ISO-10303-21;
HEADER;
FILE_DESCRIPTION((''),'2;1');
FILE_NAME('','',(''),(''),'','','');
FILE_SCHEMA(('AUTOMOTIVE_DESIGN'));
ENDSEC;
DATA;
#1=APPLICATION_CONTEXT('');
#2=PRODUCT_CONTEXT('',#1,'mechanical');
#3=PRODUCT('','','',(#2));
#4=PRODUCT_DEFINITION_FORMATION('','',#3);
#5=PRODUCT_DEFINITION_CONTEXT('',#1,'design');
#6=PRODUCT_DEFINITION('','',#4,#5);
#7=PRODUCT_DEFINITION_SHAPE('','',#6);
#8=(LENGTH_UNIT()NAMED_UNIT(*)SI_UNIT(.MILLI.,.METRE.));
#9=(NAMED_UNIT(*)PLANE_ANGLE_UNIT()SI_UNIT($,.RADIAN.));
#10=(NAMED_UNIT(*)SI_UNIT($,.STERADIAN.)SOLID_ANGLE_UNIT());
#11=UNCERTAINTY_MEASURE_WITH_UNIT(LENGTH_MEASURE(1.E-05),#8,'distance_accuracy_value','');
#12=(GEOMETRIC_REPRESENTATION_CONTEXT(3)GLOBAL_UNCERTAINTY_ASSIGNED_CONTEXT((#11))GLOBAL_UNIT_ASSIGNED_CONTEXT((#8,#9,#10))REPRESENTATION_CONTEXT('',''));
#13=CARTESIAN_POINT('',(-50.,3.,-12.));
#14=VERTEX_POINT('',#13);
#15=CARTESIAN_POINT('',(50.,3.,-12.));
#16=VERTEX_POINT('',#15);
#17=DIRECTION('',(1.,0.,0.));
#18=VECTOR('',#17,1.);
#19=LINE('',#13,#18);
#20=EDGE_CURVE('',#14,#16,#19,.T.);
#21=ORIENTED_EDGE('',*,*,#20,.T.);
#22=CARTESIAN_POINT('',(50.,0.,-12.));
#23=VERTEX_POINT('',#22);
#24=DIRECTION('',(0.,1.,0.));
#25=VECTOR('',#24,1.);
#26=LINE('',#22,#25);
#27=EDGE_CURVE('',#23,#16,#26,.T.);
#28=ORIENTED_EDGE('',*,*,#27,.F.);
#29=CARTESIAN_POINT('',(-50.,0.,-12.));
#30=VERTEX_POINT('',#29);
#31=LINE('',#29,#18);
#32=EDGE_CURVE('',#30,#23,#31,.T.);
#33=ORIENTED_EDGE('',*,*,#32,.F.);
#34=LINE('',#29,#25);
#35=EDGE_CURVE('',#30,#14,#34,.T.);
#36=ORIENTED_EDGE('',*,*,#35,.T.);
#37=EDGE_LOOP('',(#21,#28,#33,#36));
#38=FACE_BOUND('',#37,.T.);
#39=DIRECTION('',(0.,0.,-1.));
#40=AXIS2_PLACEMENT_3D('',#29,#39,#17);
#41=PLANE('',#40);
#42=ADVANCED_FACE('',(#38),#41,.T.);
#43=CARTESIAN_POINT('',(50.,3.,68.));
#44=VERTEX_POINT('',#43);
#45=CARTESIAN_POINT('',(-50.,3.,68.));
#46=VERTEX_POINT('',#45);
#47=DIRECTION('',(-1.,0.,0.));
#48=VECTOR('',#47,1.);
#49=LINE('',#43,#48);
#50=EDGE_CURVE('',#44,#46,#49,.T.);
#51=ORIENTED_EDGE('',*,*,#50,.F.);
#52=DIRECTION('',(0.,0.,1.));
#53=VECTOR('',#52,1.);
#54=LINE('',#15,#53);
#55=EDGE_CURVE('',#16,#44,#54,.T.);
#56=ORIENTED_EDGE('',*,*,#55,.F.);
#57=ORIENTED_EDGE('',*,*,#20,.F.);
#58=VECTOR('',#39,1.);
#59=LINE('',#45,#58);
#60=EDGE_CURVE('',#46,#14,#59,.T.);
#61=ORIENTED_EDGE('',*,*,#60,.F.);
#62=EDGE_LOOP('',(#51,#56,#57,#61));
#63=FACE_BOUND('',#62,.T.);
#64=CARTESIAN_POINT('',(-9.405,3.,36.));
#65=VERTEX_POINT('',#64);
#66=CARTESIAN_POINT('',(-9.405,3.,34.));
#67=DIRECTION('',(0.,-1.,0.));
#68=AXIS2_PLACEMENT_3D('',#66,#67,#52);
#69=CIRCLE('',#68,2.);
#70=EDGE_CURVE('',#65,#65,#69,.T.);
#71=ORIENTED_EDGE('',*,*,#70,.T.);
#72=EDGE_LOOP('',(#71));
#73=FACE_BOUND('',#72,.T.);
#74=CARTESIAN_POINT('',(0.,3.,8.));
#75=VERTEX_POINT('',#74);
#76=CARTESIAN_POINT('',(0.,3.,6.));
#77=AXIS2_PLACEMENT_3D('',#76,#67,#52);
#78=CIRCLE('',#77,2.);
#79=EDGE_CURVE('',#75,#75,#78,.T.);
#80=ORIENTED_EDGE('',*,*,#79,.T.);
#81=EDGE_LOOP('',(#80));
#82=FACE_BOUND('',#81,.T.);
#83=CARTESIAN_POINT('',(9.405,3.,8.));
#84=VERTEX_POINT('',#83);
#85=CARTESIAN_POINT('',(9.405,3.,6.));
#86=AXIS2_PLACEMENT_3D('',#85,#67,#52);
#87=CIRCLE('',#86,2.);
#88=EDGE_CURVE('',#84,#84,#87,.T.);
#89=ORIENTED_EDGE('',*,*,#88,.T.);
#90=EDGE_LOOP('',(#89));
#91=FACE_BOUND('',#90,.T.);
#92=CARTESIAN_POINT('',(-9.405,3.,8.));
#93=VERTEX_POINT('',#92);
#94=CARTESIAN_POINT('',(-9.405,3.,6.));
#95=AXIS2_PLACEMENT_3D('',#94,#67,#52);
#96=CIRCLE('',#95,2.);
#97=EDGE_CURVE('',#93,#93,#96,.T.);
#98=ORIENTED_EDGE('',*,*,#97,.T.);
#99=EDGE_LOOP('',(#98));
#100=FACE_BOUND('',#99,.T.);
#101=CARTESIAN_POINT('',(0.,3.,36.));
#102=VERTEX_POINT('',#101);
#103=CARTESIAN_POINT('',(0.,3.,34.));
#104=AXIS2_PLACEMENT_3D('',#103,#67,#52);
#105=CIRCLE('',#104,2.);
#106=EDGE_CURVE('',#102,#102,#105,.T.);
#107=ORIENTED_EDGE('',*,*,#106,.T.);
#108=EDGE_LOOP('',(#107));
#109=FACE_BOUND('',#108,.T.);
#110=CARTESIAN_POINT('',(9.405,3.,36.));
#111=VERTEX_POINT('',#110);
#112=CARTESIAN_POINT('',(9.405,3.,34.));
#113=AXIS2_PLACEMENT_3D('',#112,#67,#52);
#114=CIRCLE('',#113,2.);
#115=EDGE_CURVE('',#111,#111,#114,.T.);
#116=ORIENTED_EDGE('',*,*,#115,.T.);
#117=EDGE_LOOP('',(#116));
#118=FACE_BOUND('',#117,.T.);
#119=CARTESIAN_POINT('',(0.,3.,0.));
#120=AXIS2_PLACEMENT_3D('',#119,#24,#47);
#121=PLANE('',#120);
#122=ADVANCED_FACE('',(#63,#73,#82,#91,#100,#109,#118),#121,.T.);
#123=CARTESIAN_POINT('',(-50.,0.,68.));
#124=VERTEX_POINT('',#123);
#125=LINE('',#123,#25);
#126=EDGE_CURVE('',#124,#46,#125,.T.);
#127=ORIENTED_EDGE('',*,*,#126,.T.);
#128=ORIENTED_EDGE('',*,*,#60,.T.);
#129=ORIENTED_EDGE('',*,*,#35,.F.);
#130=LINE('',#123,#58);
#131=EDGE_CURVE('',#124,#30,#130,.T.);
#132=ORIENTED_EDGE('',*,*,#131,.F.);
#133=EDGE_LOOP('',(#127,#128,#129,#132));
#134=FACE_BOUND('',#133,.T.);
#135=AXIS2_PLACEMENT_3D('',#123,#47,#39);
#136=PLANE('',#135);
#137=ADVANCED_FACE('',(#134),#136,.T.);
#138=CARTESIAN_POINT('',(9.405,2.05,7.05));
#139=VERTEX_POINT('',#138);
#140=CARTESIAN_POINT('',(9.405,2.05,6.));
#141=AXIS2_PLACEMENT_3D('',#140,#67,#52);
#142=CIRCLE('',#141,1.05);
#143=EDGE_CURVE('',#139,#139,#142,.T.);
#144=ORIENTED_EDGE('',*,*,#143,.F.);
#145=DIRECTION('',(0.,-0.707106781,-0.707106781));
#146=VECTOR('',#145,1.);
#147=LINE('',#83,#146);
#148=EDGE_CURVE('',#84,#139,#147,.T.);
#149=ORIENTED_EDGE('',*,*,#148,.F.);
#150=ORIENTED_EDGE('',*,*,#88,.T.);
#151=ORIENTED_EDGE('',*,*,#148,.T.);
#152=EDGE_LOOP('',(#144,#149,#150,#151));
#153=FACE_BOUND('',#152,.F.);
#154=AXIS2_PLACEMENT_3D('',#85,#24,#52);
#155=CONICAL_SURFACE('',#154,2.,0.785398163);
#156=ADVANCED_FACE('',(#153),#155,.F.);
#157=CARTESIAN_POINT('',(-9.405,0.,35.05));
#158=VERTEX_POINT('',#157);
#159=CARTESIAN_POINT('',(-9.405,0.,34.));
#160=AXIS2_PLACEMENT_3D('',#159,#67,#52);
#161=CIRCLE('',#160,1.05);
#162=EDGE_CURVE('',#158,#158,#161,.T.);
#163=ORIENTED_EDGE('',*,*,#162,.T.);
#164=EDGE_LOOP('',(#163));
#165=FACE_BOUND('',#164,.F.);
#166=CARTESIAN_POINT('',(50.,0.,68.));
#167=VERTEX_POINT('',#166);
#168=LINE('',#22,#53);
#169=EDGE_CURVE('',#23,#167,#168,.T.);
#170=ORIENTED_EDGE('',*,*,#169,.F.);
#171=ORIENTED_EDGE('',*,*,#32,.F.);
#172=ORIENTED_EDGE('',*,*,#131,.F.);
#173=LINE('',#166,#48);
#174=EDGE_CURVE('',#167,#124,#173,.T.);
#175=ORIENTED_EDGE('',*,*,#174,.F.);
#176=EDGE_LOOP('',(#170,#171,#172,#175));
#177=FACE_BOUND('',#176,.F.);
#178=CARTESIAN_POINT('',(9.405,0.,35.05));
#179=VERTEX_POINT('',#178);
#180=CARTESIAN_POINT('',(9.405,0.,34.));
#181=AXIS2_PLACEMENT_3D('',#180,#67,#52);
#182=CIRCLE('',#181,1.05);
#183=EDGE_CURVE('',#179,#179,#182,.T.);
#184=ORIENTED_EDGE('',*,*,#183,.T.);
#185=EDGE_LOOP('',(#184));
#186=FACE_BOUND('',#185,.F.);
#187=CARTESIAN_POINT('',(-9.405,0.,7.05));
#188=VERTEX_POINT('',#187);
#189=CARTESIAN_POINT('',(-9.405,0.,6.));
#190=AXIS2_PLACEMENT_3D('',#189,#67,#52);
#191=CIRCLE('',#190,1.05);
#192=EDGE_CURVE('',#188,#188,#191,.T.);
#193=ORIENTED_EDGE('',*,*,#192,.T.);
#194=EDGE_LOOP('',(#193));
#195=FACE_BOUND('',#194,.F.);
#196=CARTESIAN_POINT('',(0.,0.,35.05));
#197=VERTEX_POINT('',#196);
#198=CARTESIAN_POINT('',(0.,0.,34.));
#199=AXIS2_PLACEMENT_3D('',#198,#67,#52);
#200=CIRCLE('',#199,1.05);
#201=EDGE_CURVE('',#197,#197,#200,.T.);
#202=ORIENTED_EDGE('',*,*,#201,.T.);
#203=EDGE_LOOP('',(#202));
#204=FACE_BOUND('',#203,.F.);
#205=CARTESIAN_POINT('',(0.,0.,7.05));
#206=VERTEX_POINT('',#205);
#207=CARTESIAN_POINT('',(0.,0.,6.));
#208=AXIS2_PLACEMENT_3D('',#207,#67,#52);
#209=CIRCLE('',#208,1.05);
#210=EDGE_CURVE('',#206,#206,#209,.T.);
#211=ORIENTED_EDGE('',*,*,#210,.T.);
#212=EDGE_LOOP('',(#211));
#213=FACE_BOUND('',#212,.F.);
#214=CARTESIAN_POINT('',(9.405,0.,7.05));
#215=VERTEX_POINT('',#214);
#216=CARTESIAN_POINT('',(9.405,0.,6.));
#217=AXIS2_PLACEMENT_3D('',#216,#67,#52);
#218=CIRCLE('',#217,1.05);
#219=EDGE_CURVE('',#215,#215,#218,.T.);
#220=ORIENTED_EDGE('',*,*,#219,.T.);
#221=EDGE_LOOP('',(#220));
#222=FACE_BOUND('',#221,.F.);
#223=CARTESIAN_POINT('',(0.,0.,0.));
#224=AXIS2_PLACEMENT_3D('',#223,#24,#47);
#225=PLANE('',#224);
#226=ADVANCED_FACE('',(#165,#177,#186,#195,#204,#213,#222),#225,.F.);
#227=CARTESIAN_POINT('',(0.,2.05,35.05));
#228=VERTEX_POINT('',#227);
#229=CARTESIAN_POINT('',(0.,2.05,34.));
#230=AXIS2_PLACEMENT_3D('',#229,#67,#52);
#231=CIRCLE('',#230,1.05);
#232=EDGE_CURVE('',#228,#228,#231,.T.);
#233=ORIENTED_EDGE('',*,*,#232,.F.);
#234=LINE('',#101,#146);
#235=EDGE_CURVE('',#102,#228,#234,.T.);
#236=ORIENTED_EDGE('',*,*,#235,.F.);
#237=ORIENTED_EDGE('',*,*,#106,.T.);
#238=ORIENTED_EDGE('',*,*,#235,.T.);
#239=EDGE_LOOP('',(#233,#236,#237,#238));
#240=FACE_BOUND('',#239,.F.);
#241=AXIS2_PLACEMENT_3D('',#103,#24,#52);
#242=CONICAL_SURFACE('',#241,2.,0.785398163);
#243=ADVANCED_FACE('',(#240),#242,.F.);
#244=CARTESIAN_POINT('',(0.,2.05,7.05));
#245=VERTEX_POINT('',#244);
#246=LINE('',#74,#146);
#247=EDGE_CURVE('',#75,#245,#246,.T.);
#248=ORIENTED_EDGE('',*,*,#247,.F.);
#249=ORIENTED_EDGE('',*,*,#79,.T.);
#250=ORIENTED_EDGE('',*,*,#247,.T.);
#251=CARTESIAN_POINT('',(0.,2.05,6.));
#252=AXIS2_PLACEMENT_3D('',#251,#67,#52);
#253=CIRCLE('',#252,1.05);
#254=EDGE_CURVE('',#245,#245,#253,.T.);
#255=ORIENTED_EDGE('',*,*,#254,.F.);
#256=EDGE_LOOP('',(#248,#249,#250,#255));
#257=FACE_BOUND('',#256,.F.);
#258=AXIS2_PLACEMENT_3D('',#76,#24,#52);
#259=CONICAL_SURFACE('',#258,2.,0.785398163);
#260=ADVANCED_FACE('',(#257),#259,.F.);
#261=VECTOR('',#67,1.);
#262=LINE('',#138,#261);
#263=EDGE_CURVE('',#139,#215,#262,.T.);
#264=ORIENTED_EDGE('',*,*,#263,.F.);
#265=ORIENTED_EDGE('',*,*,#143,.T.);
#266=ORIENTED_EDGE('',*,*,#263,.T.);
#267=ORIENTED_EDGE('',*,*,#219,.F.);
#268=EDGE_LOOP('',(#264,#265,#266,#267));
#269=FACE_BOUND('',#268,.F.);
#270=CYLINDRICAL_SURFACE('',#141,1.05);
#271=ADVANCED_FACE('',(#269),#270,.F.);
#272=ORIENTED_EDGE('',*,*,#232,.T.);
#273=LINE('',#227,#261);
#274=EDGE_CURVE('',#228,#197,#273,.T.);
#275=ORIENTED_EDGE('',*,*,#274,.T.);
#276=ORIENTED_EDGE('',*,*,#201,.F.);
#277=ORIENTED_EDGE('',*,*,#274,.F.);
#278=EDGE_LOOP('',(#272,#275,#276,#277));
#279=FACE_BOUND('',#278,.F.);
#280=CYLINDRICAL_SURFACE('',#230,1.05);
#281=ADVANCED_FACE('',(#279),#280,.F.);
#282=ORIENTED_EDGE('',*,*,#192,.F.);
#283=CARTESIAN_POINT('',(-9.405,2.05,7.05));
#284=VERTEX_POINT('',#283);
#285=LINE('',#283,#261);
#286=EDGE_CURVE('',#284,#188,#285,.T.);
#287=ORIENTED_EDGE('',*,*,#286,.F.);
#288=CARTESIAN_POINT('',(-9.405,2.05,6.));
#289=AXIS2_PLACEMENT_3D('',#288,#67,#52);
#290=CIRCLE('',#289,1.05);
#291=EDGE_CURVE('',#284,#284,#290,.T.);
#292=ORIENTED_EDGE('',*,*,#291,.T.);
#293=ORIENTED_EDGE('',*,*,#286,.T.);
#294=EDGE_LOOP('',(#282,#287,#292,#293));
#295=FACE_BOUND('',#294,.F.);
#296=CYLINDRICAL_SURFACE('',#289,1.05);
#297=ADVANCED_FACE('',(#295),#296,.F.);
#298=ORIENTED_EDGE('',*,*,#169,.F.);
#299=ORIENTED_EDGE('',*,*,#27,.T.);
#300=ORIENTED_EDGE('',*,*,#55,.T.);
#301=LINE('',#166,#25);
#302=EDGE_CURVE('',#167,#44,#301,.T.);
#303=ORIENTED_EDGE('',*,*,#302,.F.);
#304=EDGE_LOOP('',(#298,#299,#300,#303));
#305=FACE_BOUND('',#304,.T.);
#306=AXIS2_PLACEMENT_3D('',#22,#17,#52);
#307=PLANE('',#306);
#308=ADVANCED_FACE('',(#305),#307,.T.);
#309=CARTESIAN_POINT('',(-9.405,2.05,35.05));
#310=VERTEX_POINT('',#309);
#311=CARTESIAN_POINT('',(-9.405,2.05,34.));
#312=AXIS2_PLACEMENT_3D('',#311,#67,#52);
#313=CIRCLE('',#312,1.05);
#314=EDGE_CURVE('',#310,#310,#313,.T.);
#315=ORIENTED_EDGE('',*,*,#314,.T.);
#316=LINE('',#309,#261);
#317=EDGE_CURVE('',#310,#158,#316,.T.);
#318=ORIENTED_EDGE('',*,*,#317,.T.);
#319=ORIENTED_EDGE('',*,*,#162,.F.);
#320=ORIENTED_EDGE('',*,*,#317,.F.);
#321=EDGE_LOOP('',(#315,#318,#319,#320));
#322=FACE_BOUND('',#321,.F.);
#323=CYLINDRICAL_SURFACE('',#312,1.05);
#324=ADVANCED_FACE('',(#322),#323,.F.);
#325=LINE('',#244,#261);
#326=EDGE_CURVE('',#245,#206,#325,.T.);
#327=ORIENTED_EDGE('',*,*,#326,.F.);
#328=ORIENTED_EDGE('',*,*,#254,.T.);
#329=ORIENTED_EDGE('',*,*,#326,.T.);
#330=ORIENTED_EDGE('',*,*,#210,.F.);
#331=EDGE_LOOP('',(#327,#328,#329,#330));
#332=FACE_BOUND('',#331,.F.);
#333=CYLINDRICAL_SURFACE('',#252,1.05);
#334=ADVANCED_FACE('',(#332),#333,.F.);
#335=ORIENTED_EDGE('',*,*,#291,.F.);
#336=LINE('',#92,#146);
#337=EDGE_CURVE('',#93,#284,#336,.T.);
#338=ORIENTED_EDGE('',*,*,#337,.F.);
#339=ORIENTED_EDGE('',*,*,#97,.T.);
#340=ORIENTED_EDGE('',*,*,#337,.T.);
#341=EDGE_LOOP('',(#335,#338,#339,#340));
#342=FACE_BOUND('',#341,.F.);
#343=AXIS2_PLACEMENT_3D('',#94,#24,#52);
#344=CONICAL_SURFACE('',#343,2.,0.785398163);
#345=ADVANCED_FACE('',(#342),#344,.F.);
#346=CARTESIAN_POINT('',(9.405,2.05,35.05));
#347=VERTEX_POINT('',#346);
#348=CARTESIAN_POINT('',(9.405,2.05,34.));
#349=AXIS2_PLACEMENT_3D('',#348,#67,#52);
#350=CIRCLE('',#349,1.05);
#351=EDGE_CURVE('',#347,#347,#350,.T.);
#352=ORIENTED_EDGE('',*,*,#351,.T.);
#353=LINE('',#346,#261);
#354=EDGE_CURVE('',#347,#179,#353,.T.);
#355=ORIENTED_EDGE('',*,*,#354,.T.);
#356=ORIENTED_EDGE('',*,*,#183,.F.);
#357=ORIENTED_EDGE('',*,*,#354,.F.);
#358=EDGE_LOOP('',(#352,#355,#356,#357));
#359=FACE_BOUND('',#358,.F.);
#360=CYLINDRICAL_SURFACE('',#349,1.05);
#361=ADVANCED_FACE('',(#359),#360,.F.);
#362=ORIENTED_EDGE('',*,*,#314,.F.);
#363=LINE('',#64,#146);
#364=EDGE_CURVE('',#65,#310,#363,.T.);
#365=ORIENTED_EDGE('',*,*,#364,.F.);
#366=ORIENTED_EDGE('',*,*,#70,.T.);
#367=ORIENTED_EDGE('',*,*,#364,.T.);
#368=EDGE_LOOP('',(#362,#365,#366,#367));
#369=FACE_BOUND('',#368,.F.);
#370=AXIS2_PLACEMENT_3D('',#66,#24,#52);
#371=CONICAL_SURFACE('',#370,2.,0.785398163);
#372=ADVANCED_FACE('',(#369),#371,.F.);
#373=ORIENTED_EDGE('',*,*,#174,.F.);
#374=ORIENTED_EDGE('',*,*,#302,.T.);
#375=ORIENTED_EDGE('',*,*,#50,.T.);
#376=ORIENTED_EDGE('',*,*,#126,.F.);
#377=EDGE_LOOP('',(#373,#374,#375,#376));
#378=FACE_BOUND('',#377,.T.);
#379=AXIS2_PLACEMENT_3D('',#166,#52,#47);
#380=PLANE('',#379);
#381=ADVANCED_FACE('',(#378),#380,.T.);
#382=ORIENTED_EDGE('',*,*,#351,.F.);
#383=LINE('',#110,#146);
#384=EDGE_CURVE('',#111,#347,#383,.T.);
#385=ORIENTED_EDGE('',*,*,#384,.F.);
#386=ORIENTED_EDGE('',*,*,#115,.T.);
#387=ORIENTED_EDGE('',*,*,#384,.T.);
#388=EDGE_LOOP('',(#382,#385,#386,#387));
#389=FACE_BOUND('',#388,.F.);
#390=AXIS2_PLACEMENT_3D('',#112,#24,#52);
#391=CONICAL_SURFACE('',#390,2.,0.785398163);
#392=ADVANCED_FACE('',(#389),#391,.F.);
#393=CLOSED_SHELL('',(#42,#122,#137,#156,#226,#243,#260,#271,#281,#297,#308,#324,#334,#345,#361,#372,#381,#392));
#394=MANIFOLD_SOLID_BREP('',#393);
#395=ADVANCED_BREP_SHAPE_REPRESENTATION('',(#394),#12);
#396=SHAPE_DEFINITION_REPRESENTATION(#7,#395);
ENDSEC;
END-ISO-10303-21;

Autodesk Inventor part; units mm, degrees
ref_plane "YZ Plane" through (0, 0, 0) normal (1, 0, 0) x (0, 1, 0)
ref_plane "XZ Plane" through (0, 0, 0) normal (0, 1, 0) x (-1, 0, 0)
ref_plane "XY Plane" through (0, 0, 0) normal (0, 0, 1) x (1, 0, 0)
sketch "Sketch1" plane through (0, 0, 0) normal (0, 1, 0) x (-1, 0, 0)
  line L0 (50, -12) -> (-50, -12)
  line L1 (-50, -12) -> (-50, 68)
  line L2 (-50, 68) -> (50, 68)
  line L3 (50, 68) -> (50, -12)
  point P0 (0, 0)
  dimension "d0" = 100
  dimension "d1" = 80
  dimension "d2" = 12
  dimension "d3" = 50
extrude "Plate1" add sketch "Sketch1" along normal blind 3
sketch "Sketch3" plane through (0, 3, 0) normal (0, 1, 0) x (1, 0, 0)
  circle A0 centre (9.405, -34) radius 1.05 projected
  circle A1 centre (9.405, -6) radius 1.05 projected
  circle A2 centre (0, -34) radius 1.05 projected
  circle A3 centre (0, -6) radius 1.05 projected
  circle A4 centre (-9.405, -34) radius 1.05 projected
  circle A5 centre (-9.405, -6) radius 1.05 projected
  line L0 (15.405, 0) -> (15.405, -40) projected
  line L1 (-15.405, -40) -> (15.405, -40) projected
  line L2 (-15.405, -40) -> (-15.405, 0) projected
  line L3 (15.405, 0) -> (-15.405, 0) projected
  point P0 (0, 0)
hole "Hole1" at (-9.405, 3, 6) at (0, 3, 6) at (9.405, 3, 6) at (9.405, 3, 34) at (0, 3, 34) at (-9.405, 3, 34) direction (0, -1, 0) diameter 2.1 depth 3 countersink diameter 4 countersink angle 90
equation "\"d20\" = Thickness"
equation "\"d4\" = Thickness"
equation "\"BendReliefWidth\" = Thickness"
equation "\"BendReliefDepth\" = 0.5 * Thickness"
equation "\"CornerReliefSize\" = 4 * Thickness"
equation "\"MinimumRemnant\" = 2 * Thickness"
equation "\"TransitionRadius\" = BendRadius"
equation "\"JacobiRadiusSize\" = BendRadius"
equation "\"GapSize\" = Thickness"
equation "\"Thickness\" = 3"
equation "\"BendRadius\" = 0.31"
properties part number "axis_12_bottom_frame(bottom)" material "Aluminum 6061-AHC"
